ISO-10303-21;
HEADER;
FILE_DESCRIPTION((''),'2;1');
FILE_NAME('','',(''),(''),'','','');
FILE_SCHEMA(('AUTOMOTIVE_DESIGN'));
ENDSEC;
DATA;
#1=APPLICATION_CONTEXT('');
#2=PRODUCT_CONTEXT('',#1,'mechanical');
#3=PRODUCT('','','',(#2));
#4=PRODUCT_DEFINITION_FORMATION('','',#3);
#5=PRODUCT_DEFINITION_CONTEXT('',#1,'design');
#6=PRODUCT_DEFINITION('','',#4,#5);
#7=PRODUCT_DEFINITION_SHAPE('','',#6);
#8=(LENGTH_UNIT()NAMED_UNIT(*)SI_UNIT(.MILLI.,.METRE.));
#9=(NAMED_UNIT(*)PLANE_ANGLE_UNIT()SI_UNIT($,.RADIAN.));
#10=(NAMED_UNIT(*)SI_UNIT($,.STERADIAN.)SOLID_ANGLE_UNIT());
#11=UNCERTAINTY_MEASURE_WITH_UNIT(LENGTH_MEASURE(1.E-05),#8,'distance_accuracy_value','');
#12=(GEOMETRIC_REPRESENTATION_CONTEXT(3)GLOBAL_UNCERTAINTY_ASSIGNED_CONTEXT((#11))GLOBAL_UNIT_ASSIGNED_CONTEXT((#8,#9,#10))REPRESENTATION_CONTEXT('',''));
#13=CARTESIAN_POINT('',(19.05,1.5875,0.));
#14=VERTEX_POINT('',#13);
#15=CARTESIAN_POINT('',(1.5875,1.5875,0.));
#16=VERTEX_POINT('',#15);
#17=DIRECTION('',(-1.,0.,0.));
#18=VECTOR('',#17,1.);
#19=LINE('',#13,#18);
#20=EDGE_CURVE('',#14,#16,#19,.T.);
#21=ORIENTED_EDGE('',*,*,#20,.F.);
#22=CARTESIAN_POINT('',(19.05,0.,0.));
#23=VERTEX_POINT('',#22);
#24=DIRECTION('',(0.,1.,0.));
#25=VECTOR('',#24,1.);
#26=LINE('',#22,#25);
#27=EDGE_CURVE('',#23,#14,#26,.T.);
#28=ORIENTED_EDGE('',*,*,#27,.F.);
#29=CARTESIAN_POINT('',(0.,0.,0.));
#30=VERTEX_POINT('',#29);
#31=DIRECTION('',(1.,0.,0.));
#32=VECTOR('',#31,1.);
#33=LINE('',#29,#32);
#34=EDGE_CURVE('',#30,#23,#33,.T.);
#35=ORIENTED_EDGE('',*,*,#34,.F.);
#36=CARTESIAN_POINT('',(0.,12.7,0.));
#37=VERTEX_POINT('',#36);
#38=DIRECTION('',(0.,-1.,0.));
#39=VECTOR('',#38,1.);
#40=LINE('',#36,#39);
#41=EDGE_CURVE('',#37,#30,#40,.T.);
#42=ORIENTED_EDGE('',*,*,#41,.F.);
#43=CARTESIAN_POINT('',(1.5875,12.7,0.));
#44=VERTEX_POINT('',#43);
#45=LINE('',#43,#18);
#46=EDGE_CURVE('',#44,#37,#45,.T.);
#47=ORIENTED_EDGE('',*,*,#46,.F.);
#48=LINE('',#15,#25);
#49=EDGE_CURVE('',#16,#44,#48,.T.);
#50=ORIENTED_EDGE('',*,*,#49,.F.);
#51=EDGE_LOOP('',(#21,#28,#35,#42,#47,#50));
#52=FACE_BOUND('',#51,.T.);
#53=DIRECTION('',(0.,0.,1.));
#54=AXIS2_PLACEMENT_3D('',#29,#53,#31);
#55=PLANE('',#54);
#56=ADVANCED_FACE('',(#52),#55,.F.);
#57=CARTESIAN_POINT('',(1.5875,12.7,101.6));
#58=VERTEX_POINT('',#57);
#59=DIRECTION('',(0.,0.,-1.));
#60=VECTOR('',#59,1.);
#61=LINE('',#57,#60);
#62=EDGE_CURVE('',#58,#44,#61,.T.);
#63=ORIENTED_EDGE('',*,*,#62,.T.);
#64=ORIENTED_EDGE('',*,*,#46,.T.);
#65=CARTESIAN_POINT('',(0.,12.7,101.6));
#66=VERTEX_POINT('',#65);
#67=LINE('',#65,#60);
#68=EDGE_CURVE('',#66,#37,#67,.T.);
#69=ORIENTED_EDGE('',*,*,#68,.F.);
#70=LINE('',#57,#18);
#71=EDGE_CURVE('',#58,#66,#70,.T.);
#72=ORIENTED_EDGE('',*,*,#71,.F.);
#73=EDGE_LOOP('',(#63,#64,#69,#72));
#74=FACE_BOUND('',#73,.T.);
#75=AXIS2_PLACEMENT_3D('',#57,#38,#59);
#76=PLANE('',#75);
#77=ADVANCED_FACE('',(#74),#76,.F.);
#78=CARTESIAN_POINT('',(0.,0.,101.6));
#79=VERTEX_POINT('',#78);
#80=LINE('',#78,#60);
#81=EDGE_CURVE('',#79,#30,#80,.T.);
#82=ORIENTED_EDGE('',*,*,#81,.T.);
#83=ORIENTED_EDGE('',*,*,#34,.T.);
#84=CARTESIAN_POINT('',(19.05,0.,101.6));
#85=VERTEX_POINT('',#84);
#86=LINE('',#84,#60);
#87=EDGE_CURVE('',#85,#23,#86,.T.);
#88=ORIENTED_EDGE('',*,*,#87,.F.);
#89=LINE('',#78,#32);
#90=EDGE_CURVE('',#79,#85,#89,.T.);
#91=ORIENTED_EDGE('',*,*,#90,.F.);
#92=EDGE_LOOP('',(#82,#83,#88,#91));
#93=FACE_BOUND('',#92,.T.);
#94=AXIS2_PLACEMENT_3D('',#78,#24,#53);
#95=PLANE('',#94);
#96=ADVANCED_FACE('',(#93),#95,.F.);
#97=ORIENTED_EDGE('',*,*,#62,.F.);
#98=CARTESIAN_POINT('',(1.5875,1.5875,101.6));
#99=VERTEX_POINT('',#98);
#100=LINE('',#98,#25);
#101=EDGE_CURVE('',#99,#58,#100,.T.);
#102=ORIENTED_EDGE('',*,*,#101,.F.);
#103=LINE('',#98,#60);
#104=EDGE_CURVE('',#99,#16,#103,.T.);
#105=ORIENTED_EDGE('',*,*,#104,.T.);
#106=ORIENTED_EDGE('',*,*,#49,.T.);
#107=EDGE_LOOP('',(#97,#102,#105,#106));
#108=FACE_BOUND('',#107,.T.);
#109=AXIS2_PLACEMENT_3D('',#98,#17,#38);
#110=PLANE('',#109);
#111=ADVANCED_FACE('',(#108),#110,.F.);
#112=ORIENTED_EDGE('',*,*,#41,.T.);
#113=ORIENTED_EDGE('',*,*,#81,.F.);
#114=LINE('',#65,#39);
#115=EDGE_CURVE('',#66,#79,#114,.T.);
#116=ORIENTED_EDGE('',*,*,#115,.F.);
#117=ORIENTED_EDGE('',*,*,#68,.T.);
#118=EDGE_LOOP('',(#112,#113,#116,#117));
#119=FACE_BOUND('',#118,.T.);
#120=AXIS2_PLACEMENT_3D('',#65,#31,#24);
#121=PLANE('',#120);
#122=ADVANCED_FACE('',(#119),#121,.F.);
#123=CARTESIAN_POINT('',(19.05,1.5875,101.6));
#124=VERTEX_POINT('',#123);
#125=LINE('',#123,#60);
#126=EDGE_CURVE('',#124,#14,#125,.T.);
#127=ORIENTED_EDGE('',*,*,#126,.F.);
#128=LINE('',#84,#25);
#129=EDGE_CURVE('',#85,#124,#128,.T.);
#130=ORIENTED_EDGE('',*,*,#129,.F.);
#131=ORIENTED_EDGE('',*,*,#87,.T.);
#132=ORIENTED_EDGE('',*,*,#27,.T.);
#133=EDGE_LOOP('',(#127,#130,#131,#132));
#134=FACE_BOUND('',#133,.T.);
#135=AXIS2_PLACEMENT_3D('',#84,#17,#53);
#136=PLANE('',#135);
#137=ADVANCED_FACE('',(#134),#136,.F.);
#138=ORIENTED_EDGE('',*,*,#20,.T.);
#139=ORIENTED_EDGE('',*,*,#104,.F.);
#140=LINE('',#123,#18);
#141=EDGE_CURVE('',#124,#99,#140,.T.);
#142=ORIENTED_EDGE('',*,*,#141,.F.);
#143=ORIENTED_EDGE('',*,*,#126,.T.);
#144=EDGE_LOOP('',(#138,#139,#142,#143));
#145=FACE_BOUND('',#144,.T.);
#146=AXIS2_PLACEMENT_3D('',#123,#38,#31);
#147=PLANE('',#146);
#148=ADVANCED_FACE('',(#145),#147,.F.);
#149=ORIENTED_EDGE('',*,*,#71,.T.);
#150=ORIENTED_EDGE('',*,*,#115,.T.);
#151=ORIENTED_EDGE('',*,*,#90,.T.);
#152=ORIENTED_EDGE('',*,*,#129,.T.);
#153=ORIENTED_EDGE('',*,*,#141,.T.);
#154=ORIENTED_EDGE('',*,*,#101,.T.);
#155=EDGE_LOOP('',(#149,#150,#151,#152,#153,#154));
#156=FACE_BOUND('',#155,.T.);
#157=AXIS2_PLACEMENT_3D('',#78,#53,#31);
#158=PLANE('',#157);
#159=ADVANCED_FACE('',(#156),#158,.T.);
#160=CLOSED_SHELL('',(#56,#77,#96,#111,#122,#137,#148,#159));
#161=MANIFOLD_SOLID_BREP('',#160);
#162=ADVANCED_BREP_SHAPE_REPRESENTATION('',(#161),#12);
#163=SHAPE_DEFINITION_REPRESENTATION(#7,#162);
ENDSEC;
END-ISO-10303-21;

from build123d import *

# Parameters (mm, degrees)
BOSS_EXTRUDE1_DEPTH = 101.6


with BuildPart() as part:
    # Sketch3 → Boss-Extrude1 (new body)
    with BuildSketch(Plane.XY):
        Polygon((0, 0), (19.05, 0), (19.05, 1.5875), (1.5875, 1.5875), (1.5875, 12.7), (0, 12.7), align=None)
    extrude(amount=BOSS_EXTRUDE1_DEPTH)


solid = part.part
